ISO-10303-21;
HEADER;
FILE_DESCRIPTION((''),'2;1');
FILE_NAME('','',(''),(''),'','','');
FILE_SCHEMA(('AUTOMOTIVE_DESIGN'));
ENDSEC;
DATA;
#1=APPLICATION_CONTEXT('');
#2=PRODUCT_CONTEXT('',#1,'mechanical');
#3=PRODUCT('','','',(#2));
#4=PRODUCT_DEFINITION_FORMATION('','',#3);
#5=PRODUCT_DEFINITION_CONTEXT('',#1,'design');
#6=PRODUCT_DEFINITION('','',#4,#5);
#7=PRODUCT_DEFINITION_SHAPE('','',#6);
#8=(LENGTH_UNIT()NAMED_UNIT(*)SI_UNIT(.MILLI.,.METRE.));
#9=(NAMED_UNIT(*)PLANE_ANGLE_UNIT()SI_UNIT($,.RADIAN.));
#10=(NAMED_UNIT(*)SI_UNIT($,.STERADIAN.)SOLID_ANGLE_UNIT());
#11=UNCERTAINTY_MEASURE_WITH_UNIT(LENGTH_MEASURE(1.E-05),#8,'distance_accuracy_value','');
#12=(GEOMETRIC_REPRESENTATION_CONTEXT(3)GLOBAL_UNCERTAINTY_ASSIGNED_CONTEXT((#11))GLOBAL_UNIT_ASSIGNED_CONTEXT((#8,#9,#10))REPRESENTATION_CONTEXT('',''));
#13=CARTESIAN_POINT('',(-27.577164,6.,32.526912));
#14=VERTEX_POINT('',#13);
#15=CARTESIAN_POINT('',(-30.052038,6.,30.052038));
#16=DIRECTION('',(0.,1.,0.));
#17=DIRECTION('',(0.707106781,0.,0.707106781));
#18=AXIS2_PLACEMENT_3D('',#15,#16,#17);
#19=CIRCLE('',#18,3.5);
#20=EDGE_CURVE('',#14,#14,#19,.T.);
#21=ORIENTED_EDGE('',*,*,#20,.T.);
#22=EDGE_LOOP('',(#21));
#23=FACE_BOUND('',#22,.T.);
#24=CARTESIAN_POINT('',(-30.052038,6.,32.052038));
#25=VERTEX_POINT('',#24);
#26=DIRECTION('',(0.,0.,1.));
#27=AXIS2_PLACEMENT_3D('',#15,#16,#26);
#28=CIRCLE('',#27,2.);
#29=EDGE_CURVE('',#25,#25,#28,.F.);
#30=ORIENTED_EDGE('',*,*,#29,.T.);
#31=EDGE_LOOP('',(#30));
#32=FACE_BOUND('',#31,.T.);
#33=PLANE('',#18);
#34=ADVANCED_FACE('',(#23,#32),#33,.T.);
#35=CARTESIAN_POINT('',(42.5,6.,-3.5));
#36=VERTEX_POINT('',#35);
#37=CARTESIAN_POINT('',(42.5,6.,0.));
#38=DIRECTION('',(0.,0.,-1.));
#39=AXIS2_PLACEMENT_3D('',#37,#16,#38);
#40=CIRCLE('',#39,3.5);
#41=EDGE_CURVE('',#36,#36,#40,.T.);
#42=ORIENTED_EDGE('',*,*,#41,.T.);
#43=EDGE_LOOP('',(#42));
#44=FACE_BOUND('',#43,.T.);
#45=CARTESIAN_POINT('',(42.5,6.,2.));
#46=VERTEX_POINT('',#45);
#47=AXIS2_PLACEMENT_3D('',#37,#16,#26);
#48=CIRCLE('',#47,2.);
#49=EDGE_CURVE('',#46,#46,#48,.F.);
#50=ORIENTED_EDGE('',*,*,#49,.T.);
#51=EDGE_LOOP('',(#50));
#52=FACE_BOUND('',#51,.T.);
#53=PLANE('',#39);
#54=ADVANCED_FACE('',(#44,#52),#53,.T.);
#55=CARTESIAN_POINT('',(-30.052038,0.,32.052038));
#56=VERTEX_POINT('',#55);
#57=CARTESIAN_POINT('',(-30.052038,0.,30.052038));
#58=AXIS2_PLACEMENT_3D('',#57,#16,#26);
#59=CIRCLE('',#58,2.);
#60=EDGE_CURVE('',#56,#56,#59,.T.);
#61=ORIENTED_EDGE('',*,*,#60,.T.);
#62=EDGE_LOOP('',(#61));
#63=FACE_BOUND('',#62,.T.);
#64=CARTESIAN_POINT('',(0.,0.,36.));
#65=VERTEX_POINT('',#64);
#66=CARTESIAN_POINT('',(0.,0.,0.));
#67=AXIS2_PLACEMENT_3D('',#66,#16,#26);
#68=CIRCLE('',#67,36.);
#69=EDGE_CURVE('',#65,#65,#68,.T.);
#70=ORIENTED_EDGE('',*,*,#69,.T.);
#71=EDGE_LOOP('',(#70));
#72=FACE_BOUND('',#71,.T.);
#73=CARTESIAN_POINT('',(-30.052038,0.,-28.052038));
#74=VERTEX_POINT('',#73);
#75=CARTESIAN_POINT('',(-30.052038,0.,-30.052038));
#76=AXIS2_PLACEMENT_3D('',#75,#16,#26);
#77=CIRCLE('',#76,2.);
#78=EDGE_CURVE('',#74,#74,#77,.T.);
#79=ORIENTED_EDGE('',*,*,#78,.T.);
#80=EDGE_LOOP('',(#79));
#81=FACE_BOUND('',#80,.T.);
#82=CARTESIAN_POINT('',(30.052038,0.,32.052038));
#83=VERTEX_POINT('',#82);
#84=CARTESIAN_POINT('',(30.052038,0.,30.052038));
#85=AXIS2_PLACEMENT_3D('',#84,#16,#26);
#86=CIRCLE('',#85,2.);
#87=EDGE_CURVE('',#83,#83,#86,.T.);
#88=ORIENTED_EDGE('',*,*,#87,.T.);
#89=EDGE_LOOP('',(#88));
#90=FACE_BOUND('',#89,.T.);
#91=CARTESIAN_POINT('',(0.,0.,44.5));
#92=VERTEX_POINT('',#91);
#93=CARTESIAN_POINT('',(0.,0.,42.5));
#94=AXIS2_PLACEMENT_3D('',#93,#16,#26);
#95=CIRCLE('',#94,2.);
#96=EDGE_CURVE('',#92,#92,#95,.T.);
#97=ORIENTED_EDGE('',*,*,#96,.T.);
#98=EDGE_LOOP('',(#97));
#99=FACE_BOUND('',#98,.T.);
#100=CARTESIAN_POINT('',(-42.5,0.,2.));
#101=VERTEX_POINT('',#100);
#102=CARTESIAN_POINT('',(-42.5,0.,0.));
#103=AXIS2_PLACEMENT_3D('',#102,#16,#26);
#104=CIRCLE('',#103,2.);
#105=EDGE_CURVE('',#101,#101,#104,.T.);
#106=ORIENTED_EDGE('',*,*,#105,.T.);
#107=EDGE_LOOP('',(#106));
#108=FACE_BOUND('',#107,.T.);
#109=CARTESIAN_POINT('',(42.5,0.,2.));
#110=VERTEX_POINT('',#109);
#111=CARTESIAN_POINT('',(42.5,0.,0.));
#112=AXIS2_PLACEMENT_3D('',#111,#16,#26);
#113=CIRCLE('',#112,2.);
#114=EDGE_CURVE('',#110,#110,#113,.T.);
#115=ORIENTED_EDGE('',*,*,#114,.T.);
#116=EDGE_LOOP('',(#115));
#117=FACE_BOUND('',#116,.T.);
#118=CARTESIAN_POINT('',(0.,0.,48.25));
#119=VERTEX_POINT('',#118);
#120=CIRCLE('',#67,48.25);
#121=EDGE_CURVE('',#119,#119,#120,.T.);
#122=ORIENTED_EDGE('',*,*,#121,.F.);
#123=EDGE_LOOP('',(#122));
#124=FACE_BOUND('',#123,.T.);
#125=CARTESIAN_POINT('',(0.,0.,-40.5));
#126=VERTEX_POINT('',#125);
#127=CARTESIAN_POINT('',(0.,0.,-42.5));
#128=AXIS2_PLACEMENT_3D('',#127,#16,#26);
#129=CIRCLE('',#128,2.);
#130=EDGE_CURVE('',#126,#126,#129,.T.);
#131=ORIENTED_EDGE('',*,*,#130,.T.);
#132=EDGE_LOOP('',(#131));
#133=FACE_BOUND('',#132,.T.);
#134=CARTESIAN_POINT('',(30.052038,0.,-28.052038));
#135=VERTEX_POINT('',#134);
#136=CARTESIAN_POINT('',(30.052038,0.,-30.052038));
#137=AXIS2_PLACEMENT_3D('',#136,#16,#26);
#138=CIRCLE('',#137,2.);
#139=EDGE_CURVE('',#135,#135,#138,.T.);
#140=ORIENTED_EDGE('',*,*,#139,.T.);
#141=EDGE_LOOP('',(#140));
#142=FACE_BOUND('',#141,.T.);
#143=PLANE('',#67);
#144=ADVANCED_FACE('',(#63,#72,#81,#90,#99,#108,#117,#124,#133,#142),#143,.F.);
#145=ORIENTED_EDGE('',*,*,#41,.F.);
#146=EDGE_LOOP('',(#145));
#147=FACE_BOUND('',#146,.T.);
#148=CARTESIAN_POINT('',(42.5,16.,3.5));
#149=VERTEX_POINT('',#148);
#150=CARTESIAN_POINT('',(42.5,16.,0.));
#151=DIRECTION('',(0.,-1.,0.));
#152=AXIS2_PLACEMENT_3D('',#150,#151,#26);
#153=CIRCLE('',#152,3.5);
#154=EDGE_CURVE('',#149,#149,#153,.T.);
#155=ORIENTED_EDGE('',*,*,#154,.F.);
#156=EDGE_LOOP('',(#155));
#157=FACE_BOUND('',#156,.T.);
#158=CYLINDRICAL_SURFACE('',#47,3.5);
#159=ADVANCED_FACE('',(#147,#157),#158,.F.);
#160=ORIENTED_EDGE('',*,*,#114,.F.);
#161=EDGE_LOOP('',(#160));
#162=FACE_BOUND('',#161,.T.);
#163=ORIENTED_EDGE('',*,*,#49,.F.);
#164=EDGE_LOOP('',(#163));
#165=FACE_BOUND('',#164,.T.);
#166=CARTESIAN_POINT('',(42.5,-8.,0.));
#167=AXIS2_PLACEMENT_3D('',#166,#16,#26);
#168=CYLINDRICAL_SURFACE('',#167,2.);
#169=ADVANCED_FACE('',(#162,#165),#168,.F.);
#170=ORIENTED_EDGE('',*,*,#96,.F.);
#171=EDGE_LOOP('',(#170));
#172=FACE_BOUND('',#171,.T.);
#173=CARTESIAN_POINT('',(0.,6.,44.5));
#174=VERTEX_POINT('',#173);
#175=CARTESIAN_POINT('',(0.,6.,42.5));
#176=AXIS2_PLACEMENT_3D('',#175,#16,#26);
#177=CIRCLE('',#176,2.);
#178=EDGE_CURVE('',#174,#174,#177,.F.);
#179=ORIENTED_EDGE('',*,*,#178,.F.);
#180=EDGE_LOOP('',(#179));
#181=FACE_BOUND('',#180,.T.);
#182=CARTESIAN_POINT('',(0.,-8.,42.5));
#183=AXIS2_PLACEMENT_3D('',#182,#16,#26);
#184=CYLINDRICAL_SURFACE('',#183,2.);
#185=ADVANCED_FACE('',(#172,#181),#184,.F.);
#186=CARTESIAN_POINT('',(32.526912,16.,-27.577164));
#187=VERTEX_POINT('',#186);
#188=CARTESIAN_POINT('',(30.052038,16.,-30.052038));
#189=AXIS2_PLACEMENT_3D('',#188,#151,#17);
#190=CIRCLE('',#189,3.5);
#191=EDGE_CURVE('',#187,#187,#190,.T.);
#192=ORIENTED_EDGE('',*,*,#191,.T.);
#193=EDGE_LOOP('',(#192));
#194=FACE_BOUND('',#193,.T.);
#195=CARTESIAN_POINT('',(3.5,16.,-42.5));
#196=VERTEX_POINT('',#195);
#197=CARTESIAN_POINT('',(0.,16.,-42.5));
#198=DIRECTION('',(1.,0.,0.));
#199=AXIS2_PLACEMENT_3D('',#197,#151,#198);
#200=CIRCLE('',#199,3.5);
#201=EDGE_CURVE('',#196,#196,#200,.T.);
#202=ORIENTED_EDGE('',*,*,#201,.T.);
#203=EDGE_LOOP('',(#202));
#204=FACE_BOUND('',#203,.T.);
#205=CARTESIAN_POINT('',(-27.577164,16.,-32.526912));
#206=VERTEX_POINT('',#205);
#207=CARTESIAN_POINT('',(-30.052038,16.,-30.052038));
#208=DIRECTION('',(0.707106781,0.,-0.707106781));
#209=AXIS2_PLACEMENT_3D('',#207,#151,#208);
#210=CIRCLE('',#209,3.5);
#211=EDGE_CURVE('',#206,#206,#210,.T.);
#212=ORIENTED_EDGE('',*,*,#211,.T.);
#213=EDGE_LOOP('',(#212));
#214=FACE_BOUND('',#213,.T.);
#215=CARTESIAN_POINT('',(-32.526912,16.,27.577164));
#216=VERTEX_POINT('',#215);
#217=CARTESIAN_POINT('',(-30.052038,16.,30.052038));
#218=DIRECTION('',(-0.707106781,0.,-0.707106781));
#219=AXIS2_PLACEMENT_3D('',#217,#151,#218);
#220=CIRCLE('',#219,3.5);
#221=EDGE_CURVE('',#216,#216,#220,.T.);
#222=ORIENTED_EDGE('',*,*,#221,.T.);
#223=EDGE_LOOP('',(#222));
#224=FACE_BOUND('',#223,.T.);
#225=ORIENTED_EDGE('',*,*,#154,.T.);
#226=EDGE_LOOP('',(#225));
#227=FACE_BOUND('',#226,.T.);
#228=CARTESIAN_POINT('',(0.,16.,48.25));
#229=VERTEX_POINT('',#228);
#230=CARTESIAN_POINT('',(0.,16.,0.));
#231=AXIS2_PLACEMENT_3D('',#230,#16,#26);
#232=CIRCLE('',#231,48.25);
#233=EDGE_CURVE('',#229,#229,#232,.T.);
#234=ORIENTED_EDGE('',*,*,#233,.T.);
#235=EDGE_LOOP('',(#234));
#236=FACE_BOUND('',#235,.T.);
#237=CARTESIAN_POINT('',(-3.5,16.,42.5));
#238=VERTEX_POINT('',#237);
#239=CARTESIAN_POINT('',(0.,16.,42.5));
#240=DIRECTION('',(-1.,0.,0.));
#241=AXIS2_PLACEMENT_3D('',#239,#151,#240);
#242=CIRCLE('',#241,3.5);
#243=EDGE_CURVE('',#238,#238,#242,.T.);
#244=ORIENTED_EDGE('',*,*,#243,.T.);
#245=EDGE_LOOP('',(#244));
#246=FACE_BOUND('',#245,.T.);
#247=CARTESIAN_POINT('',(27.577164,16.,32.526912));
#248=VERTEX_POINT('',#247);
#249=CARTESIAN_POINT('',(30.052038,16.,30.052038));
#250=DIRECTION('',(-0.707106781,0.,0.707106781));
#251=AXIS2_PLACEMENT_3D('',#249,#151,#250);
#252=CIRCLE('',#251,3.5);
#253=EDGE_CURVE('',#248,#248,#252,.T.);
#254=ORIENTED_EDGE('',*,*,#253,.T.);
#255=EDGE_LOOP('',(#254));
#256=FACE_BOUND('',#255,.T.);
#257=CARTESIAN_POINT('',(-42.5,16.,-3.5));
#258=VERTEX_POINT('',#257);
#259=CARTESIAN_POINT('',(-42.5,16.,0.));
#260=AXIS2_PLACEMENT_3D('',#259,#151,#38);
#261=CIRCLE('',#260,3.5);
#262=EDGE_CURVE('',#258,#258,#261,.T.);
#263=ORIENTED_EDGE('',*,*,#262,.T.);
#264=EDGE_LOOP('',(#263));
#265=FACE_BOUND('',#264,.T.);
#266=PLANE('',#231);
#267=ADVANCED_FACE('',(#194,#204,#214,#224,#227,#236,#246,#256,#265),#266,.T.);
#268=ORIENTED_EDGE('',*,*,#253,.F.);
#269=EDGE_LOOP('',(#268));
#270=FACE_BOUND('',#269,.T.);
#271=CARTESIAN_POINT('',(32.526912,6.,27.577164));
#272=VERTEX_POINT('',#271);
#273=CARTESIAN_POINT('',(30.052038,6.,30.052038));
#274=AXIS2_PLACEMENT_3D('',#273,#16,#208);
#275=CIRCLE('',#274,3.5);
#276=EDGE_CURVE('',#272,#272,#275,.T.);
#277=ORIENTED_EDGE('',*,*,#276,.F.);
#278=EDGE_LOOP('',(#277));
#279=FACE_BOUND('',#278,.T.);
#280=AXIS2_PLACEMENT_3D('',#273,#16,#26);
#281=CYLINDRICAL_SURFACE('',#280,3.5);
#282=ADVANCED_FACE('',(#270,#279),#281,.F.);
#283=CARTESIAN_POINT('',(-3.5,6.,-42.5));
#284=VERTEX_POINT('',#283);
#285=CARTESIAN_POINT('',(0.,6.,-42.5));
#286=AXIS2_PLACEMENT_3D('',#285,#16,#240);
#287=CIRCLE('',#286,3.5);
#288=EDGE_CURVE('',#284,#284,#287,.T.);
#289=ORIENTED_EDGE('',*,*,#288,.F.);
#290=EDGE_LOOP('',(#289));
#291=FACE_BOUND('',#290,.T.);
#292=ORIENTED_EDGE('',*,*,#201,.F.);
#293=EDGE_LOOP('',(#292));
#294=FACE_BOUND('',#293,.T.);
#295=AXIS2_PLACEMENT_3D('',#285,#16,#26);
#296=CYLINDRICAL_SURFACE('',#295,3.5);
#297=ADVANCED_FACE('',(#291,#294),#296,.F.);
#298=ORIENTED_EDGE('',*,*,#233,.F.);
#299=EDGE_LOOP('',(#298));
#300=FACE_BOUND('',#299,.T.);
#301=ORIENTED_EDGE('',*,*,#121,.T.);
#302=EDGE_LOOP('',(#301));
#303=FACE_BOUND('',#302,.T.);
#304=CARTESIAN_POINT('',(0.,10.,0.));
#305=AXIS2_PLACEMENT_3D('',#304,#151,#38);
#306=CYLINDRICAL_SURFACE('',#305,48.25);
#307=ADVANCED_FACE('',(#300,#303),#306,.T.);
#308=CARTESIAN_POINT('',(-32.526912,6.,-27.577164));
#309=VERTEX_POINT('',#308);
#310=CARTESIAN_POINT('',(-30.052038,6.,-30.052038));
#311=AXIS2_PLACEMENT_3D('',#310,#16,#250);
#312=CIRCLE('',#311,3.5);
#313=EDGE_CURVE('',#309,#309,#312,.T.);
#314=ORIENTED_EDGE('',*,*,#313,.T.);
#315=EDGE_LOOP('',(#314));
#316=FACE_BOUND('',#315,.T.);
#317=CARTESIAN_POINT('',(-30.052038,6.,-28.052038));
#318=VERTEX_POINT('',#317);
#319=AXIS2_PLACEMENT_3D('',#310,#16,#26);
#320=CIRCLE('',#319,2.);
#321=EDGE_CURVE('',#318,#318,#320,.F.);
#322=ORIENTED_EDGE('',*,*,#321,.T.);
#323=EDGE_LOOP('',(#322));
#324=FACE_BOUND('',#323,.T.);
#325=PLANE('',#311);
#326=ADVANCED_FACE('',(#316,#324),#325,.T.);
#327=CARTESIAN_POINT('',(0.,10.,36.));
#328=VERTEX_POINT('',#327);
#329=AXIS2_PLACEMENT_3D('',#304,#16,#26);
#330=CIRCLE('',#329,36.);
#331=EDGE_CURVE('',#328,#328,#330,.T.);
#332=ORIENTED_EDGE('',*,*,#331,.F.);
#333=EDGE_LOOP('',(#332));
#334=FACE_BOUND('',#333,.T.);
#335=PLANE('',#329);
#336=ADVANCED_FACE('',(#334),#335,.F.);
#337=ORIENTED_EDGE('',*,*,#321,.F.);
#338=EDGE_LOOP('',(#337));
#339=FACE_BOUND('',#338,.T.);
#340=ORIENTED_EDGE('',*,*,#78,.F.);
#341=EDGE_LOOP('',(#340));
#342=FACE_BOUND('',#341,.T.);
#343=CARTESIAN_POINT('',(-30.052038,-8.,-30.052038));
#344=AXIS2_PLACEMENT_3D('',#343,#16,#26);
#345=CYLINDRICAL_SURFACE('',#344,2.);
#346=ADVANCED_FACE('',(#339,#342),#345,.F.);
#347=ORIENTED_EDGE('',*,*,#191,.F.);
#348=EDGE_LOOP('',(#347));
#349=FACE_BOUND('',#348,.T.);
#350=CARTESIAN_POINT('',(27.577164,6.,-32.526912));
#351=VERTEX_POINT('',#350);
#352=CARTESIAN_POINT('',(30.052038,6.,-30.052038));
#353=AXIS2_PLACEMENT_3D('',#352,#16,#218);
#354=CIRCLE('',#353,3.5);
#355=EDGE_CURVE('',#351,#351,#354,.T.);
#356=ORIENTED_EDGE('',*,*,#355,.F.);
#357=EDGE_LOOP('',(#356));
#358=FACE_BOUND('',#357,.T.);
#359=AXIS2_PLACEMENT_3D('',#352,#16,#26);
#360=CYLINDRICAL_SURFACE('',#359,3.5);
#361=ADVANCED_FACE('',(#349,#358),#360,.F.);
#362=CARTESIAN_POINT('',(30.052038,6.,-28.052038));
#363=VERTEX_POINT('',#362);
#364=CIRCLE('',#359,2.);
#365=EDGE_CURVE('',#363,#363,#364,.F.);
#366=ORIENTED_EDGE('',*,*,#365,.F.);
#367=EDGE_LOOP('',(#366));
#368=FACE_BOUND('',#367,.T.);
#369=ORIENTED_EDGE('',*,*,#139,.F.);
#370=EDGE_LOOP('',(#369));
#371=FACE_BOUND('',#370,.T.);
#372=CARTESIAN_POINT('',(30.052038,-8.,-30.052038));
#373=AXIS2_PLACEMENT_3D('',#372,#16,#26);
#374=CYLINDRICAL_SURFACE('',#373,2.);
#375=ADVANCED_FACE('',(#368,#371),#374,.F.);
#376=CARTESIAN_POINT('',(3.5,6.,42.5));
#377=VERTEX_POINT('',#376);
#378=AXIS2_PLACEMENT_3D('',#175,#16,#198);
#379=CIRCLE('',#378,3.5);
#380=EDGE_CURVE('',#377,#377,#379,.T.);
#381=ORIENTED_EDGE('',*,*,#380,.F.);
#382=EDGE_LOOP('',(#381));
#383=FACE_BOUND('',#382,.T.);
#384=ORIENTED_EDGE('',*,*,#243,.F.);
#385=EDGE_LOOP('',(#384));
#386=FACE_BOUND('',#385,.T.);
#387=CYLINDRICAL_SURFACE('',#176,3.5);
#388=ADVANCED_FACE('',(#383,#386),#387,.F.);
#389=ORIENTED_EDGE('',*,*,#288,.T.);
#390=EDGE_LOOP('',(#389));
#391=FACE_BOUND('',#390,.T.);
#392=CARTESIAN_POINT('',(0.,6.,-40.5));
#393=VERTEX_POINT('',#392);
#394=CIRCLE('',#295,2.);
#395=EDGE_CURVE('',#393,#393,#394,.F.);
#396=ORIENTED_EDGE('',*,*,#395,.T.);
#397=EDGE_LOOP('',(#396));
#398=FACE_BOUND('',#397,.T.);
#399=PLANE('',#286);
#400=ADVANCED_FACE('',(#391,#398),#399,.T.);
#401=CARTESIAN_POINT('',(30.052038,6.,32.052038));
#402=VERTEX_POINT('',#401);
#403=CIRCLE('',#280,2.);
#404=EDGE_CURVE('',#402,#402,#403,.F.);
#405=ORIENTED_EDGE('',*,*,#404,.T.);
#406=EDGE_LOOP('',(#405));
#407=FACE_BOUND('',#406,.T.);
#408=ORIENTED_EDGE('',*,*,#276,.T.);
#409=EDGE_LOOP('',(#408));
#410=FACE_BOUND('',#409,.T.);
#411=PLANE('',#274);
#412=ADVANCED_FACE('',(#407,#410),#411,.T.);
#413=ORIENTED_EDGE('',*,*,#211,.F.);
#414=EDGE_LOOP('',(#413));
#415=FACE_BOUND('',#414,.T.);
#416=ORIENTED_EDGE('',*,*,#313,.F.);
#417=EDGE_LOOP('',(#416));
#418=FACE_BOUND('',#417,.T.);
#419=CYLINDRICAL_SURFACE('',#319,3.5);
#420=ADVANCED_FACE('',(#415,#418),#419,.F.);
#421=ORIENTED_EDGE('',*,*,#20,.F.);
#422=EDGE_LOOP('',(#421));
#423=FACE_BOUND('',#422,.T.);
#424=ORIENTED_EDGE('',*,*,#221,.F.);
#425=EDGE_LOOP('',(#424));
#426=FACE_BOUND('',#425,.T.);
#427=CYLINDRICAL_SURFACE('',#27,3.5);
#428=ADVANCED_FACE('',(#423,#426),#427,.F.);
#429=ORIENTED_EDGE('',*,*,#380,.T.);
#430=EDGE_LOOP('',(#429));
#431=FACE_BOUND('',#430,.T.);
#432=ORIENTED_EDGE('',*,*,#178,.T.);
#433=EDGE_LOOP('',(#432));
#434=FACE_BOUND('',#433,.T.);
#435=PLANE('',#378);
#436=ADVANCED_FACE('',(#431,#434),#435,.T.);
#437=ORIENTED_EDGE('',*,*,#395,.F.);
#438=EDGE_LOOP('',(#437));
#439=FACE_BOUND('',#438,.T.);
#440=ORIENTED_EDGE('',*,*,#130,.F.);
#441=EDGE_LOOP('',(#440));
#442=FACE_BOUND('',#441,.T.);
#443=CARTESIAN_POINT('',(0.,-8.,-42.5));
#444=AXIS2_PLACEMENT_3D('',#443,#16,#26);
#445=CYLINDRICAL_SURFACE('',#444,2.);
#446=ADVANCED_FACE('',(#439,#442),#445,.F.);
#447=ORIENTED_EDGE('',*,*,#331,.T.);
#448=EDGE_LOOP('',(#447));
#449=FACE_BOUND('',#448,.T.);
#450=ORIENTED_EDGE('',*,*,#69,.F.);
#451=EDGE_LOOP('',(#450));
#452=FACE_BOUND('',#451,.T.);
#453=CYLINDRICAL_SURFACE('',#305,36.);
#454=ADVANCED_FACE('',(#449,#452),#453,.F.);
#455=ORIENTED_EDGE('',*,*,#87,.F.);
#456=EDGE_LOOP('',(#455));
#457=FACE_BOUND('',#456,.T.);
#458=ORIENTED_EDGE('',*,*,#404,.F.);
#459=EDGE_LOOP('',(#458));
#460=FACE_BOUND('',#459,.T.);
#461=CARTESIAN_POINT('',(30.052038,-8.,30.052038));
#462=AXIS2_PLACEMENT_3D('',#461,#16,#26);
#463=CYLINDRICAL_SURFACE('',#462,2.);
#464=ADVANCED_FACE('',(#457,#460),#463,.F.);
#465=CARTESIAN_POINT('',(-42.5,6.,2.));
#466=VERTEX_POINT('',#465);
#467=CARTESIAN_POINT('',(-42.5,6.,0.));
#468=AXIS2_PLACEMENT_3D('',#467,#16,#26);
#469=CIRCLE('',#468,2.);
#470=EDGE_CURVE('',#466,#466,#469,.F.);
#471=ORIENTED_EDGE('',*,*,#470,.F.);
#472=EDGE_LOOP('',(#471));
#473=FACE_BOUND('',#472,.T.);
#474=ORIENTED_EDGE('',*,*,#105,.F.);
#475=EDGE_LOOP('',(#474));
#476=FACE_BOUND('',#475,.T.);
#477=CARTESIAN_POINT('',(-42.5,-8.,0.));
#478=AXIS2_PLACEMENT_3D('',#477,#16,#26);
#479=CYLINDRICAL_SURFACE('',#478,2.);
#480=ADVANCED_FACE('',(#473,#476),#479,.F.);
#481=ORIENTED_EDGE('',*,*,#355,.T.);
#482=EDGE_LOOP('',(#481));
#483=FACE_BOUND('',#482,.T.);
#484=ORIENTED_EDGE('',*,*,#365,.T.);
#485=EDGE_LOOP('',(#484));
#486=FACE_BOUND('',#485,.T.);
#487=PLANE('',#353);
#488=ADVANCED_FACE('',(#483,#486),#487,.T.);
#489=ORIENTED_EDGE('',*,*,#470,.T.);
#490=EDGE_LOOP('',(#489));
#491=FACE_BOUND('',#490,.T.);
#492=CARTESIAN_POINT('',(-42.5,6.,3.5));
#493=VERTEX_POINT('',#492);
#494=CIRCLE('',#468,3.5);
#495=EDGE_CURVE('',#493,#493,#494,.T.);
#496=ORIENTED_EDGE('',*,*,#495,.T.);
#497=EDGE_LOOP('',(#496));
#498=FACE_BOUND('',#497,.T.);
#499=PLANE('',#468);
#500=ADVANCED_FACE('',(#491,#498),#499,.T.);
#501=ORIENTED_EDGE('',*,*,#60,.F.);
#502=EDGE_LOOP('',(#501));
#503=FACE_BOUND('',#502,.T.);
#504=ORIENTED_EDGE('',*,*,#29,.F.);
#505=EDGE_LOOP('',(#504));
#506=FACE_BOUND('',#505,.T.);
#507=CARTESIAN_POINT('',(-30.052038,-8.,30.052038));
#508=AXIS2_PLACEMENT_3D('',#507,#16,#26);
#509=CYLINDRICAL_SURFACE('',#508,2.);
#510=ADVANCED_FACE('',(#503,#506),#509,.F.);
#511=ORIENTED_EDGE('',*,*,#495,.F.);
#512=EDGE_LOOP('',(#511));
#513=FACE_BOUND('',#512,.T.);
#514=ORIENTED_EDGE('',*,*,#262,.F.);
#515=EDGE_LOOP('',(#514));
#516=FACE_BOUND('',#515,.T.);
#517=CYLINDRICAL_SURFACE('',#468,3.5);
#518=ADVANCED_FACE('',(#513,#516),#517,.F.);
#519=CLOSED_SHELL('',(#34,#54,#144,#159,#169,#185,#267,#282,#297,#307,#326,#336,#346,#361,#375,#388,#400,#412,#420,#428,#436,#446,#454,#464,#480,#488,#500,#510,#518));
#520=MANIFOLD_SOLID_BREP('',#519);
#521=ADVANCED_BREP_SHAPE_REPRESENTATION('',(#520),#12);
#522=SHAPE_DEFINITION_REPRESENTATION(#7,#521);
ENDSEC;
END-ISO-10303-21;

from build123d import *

# Parameters (mm, degrees)
SKETCH1_R           = 48.25
SKETCH1_R_2         = 36
BOSS_EXTRUDE6_DEPTH = 10
SKETCH21_R          = 2
CUT_EXTRUDE1_DEPTH  = 18
CIRPATTERN1_COUNT   = 8
SKETCH22_R          = 3.5
CUT_EXTRUDE2_DEPTH  = 4
CIRPATTERN2_COUNT   = 8
SKETCH23_R          = 48.25
BOSS_EXTRUDE7_DEPTH = 6
CUT_EXTRUDE3_START  = -6
SKETCH25_R          = 3.5
CUT_EXTRUDE3_DEPTH  = 6
CIRPATTERN4_COUNT   = 8


with BuildPart() as part:
    # Sketch1 → Boss-Extrude6 (new body)
    with BuildSketch(Plane(origin=(0, 0, 0), x_dir=(1, 0, 0), z_dir=(0, 1, 0))):
        with Locations(Location((0, 0, 0), (0, 0, 270))):
            Circle(SKETCH1_R)
        with Locations(Location((0, 0, 0), (0, 0, 270))):
            Circle(SKETCH1_R_2, mode=Mode.SUBTRACT)
    extrude(amount=BOSS_EXTRUDE6_DEPTH)

    # Sketch21 → Cut-Extrude1 (cut)
    with BuildSketch(Plane(origin=(0, 10, 0), x_dir=(1, 0, 0), z_dir=(0, 1, 0))):
        with Locations(Location((-42.5, 0, 0), (0, 0, 270))):
            Circle(SKETCH21_R)
    cut_extrude1 = extrude(amount=-CUT_EXTRUDE1_DEPTH, mode=Mode.SUBTRACT)

    # CirPattern1: Cut-Extrude1 ×8 about axis
    cirpattern1_axis = Axis((0, 0, 0), (0, 1, 0))
    for i in range(1, CIRPATTERN1_COUNT):
        add(cut_extrude1.rotate(cirpattern1_axis, i * 360 / CIRPATTERN1_COUNT), mode=Mode.SUBTRACT)

    # Sketch22 → Cut-Extrude2 (cut)
    with BuildSketch(Plane(origin=(0, 10, 0), x_dir=(1, 0, 0), z_dir=(0, 1, 0))):
        with Locations(Location((-42.5, 0, 0), (0, 0, 270))):
            Circle(SKETCH22_R)
    cut_extrude2 = extrude(amount=-CUT_EXTRUDE2_DEPTH, mode=Mode.SUBTRACT)

    # CirPattern2: Cut-Extrude2 ×8 about axis
    cirpattern2_axis = Axis((0, 0, 0), (0, 1, 0))
    for i in range(1, CIRPATTERN2_COUNT):
        add(cut_extrude2.rotate(cirpattern2_axis, i * 360 / CIRPATTERN2_COUNT), mode=Mode.SUBTRACT)

    # Sketch23 → Boss-Extrude7 (add)
    with BuildSketch(Plane(origin=(0, 10, 0), x_dir=(1, 0, 0), z_dir=(0, 1, 0))):
        with Locations(Location((0, 0, 0), (0, 0, 270))):
            Circle(SKETCH23_R)
    extrude(amount=BOSS_EXTRUDE7_DEPTH)

    # Sketch25 → Cut-Extrude3 (cut)
    with BuildSketch(Plane.XZ.offset(-10).offset(CUT_EXTRUDE3_START)):
        with Locations(Location((-42.5, 0, 0), (0, 0, 90))):
            Circle(SKETCH25_R)
    cut_extrude3 = extrude(amount=CUT_EXTRUDE3_DEPTH, mode=Mode.SUBTRACT)

    # CirPattern4: Cut-Extrude3 ×8 about axis
    cirpattern4_axis = Axis((0, 10, 0), (0, -1, 0))
    for i in range(1, CIRPATTERN4_COUNT):
        add(cut_extrude3.rotate(cirpattern4_axis, i * 360 / CIRPATTERN4_COUNT), mode=Mode.SUBTRACT)


solid = part.part
